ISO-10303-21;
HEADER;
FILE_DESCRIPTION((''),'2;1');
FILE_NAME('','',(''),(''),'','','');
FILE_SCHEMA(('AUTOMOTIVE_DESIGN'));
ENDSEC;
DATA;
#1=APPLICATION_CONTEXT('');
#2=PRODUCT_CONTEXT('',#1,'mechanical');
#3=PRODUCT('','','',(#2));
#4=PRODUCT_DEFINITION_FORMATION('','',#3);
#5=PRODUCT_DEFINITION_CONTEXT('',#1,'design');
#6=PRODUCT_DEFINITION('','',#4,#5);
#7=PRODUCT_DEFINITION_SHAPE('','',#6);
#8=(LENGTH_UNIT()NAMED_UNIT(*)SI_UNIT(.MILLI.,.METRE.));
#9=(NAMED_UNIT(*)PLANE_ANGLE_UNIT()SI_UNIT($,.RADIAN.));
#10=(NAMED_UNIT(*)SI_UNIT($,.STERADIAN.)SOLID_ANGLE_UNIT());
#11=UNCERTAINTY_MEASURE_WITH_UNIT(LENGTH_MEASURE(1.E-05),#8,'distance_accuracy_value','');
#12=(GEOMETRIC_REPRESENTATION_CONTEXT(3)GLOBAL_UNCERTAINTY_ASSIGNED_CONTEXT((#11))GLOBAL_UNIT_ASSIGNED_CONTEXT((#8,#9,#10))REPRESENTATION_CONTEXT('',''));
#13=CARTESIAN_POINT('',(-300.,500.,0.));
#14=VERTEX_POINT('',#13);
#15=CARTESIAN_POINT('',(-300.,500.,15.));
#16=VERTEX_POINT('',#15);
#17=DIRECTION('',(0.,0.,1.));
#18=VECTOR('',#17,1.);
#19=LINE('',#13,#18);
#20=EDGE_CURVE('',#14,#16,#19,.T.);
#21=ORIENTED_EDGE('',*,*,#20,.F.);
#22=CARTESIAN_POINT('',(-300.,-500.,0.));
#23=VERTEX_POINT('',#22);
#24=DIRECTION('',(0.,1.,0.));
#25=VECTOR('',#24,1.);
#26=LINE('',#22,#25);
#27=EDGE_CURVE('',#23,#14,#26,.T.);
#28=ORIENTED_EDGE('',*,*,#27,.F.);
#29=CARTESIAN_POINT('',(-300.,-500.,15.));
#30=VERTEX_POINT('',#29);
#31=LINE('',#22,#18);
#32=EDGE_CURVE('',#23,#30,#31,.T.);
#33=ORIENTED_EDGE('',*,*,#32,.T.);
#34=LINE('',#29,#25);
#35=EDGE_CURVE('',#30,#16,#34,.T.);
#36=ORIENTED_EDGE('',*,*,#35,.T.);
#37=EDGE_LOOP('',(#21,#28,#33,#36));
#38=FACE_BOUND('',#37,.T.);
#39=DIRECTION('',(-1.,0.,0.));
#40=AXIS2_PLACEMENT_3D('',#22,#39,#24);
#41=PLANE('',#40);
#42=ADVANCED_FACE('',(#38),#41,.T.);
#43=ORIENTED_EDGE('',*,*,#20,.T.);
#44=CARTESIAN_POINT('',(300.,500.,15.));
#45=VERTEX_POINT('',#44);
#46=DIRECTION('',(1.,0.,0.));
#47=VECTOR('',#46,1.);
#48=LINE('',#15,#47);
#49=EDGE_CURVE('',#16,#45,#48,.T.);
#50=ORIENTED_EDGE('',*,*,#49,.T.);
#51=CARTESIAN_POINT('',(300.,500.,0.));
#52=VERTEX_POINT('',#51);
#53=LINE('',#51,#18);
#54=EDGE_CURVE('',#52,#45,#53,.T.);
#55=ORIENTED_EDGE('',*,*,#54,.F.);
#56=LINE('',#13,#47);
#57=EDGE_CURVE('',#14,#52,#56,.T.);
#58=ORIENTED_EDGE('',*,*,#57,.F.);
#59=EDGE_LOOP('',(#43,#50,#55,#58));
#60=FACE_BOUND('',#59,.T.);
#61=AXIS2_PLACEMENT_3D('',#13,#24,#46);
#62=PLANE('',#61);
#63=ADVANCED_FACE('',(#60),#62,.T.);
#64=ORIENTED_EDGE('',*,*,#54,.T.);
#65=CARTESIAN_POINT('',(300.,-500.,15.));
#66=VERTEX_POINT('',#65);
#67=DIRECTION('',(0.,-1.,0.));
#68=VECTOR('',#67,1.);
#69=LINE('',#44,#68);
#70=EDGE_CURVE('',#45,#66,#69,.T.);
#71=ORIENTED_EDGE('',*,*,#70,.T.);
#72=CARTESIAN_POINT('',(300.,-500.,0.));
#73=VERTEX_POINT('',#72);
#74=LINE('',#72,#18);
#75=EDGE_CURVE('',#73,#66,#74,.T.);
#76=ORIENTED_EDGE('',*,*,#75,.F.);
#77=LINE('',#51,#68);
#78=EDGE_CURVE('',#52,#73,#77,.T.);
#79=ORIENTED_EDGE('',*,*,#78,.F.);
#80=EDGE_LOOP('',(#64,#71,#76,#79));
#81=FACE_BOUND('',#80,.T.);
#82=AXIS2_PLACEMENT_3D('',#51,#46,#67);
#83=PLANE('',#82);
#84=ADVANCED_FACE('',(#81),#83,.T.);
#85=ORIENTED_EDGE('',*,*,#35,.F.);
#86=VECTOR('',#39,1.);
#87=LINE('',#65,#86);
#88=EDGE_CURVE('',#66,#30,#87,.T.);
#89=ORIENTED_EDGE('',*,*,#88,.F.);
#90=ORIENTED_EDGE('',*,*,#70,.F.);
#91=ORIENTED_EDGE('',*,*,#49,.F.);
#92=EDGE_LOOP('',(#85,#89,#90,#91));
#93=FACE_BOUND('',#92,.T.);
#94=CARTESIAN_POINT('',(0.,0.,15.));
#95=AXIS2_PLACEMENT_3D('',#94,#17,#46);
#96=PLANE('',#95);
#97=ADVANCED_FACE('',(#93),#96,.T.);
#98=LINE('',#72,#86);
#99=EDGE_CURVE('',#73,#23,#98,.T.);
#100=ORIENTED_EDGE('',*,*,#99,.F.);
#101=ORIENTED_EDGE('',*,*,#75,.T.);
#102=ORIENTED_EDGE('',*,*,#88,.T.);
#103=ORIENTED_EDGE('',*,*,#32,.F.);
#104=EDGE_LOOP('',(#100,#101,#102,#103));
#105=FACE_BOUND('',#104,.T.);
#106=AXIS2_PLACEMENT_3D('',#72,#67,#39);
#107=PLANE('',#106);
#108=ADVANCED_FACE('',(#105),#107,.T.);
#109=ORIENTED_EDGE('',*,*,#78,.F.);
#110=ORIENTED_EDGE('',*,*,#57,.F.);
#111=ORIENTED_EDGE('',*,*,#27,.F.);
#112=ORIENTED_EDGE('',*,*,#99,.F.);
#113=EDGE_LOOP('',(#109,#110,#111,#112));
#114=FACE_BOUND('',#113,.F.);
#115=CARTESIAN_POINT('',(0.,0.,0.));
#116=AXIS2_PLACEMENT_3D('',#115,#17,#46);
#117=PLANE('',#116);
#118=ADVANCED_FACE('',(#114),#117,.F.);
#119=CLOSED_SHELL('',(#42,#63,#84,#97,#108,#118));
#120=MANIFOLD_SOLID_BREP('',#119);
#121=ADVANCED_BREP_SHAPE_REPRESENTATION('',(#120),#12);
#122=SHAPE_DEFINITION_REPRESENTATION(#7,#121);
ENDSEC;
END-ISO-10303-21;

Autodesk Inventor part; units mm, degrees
ref_plane "YZ Plane" through (0, 0, 0) normal (1, 0, 0) x (0, 1, 0)
ref_plane "XZ Plane" through (0, 0, 0) normal (0, 1, 0) x (-1, 0, 0)
ref_plane "XY Plane" through (0, 0, 0) normal (0, 0, 1) x (1, 0, 0)
sketch "Sketch1" plane through (0, 0, 0) normal (0, 0, 1) x (1, 0, 0)
  line L0 (-300, 500) -> (300, 500)
  line L1 (300, 500) -> (300, -500)
  line L2 (300, -500) -> (-300, -500)
  line L3 (-300, -500) -> (-300, 500)
  line L4 (-300, 500) -> (300, -500) construction
  line L5 (300, 500) -> (-300, -500) construction
  point P0 (0, 0)
  dimension "d0" = 1000
  dimension "d1" = 600
extrude "achterkant onder" add sketch "Sketch1" along normal blind 15
sketch "Sketch2" plane through (300, -500, 0) normal (1, 0, 0) x (0, 0, -1)
  line L0 (0, 0) -> (-400, 0)
  line L1 (0, 0) -> (0, 1000) projected
  line L2 (0, 1000) -> (-500, 1000)
  line L3 (-500, 1000) -> (-400, 0)
  point P0 (0, 500)
  dimension "d4" = 400
  dimension "d5" = 500
extrude "Extrusion2" [suppressed]
sketch "Sketch3" plane through (-300, -500, 0) normal (-1, 0, 0) x (0, 0, 1)
  line L0 (15, 1100) -> (500, 1100) projected
  line L1 (0, 1100) -> (500, 1100)
  line L2 (500, 1100) -> (400, 0) projected
  line L3 (500, 1100) -> (400, 0)
  line L4 (400, 0) -> (0, 0)
  line L5 (0, 0) -> (0, 1100)
  point P0 (0, 500)
  point P1 (15, 1000)
  point P2 (15, 1100)
extrude "Extrusion3" [suppressed]
sketch "Sketch4" plane through (-300, -550, 400) normal (0, -0.0905, 0.9959) x (1, 0, 0)
  line L0 (600, 1104.5361) -> (615, 1104.5361) projected
  line L1 (-15.8911, 1104.5361) -> (615, 1104.5361)
  line L2 (600, 0) -> (615, 0) projected
  line L3 (615, 1104.5361) -> (615, 0)
  line L4 (615, 0) -> (-15.8911, 0)
  line L5 (-15.8911, 0) -> (-15.8911, 1104.5361)
  line L6 (-15.8911, 1104.5361) -> (-15.8911, 0)
  point P0 (300, 511.527)
extrude "Extrusion4" [suppressed]
sketch "Sketch5" plane through (-315, 550, 0) normal (0, 1, 0) x (1, 0, 0)
  line L0 (615, -500) -> (15, -500) projected
  line L1 (15, -500) -> (615, -500)
  line L2 (615, -500) -> (615, -300)
  line L3 (615, -300) -> (15, -300)
  line L4 (15, -300) -> (15, -500)
  point P0 (315, 0)
  dimension "d12" = 221.503
extrude "Extrusion5" [suppressed]
sketch "Sketch6" plane through (-315, 550, 0) normal (0, 1, 0) x (1, 0, 0)
  line L0 (0, 0) -> (630, 0) projected
  line L1 (630, 0) -> (0, 0)
  line L2 (0, 0) -> (0, -15)
  line L3 (0, -15) -> (630, -15)
  line L4 (630, 0) -> (630, -500) projected
  line L5 (630, -15) -> (630, 0)
  point P0 (315, 0)
  dimension "d15" = 15
extrude "Extrusion6" [suppressed]
sketch "Sketch7" plane through (-315, 550, 500) normal (0, 1, 0) x (1, 0, 0)
  line L0 (0, 485) -> (630, 485) projected
  line L1 (615, 200) -> (15, 200) projected
  line L2 (630, 485) -> (615, 485)
  line L3 (615, 485) -> (615, 200)
  line L4 (615, 200) -> (630, 200)
  line L5 (630, 200) -> (630, 485)
  line L6 (15, 485) -> (15, 100) projected
  line L7 (0, 500) -> (0, 100) projected
  line L8 (15, 485) -> (0, 485)
  line L9 (0, 485) -> (0, 200)
  line L10 (0, 200) -> (15, 200)
  line L11 (15, 200) -> (15, 485)
  point P0 (315, 500)
extrude "Extrusion7" [suppressed]
sketch "Sketch10" plane through (-315, -550, 0) normal (-1, 0, 0) x (0, 0, 1)
  line L0 (0, 1700) -> (300, 1700) projected
  line L1 (300, 1700) -> (300, 1800)
  line L2 (300, 1800) -> (0, 1700)
  line L3 (0, 1700) -> (300, 1700)
  point P0 (0, 550)
  dimension "d24" = 100
extrude "Extrusion10" [suppressed]
sketch "Sketch11" plane through (300, -550, 0) normal (-1, 0, 0) x (0, 0, 1)
  line L0 (300, 1700) -> (300, 1800)
  line L1 (300, 1800) -> (0, 1700)
  line L2 (300, 1700) -> (0, 1700) projected
  line L3 (0, 1700) -> (300, 1700)
  point P0 (0, 550)
  dimension "d27" = 100
extrude "Extrusion11" [suppressed]
sketch "Sketch12" plane through (300, 1250, 300) normal (0, 0.9487, -0.3162) x (1, 0, 0)
  line L0 (15, 221.3594) -> (15, 0) projected
  line L1 (-615, 221.3594) -> (-615, 0) projected
  line L2 (15, 0) -> (-615, 0)
  line L3 (-600, 316.2278) -> (-615, 316.2278) projected
  line L4 (-615, 0) -> (-615, 316.2278)
  line L5 (-615, 316.2278) -> (15, 316.2278)
  line L6 (15, 316.2278) -> (15, 0)
  point P0 (-300, 679.8897)
  point P1 (-600, 316.2278)
extrude "Extrusion12" [suppressed]
properties part number "arcade kast 3d"
